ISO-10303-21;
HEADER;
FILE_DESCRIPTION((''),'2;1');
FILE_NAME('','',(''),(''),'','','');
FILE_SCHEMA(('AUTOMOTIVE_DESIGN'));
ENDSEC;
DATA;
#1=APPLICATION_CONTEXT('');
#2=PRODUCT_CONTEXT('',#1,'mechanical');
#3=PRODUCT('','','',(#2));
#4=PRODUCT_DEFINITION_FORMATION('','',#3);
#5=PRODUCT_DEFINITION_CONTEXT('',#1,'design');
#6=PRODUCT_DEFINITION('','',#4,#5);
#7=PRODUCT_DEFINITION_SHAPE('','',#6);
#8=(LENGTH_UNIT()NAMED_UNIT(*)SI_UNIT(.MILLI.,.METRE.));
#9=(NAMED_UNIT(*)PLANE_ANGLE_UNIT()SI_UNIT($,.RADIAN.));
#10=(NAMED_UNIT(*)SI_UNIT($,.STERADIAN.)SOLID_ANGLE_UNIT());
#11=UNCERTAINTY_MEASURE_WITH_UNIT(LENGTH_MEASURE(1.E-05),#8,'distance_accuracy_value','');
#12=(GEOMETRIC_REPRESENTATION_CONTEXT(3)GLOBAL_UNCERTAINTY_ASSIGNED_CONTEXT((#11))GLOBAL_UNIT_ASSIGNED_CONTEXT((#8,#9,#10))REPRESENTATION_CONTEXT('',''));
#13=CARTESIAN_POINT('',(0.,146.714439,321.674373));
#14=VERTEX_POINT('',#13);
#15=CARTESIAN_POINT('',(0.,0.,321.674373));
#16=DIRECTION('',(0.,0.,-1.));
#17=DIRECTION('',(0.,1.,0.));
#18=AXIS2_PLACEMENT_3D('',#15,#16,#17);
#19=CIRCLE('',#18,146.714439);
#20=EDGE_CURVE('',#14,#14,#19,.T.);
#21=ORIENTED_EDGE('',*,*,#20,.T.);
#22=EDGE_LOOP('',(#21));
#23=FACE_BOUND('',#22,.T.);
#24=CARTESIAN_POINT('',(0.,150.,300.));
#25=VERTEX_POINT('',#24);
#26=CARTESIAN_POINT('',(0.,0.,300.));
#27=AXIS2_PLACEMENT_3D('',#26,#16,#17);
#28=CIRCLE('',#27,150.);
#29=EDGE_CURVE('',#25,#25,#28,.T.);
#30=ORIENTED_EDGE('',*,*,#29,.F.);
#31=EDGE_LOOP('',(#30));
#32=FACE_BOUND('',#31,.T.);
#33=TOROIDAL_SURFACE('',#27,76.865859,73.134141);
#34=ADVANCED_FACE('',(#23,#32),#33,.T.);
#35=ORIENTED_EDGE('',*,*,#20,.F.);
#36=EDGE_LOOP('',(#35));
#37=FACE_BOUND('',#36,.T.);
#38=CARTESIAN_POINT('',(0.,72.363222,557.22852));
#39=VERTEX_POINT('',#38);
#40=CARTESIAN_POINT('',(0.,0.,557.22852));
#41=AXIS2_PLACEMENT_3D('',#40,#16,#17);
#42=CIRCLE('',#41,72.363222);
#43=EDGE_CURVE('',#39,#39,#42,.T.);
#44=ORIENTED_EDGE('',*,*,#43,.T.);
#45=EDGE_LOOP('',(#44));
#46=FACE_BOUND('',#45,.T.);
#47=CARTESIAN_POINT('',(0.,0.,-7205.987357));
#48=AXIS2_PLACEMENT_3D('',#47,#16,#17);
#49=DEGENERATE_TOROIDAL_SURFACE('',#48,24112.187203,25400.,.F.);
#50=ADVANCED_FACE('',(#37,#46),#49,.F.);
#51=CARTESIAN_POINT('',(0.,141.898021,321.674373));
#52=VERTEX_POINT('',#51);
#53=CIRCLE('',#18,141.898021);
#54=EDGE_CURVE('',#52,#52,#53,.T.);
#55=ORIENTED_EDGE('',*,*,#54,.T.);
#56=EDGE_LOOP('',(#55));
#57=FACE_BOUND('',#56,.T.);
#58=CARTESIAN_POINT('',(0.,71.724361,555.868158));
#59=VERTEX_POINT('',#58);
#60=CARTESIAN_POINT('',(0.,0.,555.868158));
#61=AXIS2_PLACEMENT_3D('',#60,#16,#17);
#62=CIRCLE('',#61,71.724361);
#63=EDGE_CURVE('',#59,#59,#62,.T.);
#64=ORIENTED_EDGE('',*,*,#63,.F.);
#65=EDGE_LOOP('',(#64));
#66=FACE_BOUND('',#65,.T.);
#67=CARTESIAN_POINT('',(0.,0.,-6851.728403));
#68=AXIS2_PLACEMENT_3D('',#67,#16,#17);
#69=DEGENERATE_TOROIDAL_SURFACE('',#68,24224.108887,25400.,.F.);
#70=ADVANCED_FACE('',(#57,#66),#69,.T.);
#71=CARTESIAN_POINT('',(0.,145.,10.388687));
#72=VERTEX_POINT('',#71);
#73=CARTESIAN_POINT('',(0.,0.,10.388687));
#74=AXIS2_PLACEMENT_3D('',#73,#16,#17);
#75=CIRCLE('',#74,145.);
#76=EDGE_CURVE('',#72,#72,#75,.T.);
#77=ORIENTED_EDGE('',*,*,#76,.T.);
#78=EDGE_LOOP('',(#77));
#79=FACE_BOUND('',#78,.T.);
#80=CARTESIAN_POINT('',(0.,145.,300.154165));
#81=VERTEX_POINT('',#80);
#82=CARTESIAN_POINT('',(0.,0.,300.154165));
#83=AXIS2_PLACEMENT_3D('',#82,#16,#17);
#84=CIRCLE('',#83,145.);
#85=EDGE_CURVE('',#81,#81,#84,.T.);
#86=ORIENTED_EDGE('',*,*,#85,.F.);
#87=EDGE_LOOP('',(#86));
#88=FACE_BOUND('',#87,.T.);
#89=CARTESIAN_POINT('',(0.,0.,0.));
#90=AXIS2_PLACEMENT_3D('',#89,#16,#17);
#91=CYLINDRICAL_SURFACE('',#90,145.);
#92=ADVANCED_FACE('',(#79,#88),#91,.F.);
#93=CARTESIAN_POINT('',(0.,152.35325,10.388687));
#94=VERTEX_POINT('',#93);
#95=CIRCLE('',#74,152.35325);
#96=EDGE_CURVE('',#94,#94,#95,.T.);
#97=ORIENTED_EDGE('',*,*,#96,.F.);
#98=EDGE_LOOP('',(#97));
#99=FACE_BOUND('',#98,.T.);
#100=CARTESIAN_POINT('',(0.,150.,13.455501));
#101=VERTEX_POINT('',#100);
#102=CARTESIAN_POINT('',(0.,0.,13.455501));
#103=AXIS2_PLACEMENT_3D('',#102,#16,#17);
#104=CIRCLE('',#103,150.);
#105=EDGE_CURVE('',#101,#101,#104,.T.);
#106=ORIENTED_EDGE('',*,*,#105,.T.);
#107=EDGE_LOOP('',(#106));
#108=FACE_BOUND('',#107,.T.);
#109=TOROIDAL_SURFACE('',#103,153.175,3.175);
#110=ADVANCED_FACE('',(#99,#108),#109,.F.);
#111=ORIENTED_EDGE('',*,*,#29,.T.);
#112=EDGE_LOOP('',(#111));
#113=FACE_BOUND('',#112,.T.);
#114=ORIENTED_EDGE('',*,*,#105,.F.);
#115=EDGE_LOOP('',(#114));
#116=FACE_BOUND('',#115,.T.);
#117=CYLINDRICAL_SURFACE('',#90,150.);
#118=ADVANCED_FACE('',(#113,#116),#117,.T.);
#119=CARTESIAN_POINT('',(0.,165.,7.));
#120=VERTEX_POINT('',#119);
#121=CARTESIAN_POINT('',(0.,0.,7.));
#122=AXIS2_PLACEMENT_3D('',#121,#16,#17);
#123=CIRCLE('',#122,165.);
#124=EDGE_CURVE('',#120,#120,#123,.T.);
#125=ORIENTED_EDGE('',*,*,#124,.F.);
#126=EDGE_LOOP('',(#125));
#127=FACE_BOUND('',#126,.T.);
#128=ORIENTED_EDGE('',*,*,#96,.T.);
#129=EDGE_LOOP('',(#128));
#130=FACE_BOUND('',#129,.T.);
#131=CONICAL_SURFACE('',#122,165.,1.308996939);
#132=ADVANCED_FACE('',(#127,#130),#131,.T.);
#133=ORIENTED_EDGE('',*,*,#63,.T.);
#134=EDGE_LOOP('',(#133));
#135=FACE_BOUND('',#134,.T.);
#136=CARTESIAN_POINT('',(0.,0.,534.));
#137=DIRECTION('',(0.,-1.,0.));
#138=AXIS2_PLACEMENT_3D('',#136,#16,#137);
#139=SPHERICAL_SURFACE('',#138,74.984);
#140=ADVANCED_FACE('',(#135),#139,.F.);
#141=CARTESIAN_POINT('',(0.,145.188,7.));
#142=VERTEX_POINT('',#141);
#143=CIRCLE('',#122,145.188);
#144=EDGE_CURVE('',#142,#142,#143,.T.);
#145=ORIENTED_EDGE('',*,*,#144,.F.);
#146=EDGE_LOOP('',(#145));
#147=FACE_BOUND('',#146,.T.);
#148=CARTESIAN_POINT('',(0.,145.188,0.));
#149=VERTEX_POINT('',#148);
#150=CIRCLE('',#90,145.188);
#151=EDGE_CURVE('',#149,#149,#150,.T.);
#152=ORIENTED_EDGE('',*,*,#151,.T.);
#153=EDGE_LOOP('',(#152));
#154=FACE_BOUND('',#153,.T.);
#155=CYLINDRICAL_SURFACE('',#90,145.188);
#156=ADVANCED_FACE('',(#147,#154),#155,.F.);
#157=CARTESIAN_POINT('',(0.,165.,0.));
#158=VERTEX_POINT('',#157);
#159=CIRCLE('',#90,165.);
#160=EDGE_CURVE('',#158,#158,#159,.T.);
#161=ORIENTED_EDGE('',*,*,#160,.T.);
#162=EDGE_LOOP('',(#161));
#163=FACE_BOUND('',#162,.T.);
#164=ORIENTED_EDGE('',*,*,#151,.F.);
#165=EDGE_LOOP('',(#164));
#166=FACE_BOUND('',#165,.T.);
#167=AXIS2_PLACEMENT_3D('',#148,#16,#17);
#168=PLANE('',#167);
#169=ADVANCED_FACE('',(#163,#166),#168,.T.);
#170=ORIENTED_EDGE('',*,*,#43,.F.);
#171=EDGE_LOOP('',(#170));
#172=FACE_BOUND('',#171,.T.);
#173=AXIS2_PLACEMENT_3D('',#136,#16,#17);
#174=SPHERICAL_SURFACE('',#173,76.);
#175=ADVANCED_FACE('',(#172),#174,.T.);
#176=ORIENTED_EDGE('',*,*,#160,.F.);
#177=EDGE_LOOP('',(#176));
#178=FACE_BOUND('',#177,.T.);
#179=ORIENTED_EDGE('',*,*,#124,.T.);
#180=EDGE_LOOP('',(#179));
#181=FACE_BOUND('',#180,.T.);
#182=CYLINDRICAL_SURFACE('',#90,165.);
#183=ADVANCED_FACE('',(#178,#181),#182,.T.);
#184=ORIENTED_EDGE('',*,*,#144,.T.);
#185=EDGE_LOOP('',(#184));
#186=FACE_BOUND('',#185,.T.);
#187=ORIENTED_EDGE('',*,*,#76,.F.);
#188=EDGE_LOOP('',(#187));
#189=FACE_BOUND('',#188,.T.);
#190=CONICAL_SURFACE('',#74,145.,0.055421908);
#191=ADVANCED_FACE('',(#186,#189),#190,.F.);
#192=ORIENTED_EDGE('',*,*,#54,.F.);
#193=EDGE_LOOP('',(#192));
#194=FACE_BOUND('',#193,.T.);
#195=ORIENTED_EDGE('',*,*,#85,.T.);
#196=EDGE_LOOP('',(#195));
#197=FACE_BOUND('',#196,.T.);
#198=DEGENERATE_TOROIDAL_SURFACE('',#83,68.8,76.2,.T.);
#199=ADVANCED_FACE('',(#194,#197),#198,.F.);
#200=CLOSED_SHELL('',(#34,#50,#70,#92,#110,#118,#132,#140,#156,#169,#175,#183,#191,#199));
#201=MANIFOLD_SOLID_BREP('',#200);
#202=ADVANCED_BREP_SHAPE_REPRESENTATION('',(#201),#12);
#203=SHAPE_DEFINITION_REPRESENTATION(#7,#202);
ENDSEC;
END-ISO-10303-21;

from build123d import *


with BuildPart() as part:
    # Sketch1 → Revolve2 (revolve)
    with BuildSketch(Plane(origin=(0, 0, 0), x_dir=(0, 0, -1), z_dir=(1, 0, 0))):
        with BuildLine():
            Line((0, 145.188), (0, 165))
            Line((0, 165), (-7, 165))
            Line((-7, 165), (-10.388686575, 152.353249532))
            ThreePointArc((-10.388686575, 152.353249532), (-11.522683536, 150.656103145), (-13.455501073, 150))
            Line((-13.455501073, 150), (-300, 150))
            ThreePointArc((-300, 150), (-310.960991624, 149.173944589), (-321.674372861, 146.714439069))
            ThreePointArc((-321.674372861, 146.714439069), (-439.541828247, 109.825171624), (-557.228519945, 72.363221744))
            ThreePointArc((-557.228519945, 72.363221744), (-595.405893511, 44.780757498), (-610, 0))
            Line((-610, 0), (-608.984, 0))
            ThreePointArc((-608.984, 0), (-594.259282427, 44.625319466), (-555.868158289, 71.724360639))
            ThreePointArc((-555.868158289, 71.724360639), (-438.8556959, 107.09296389), (-321.674372861, 141.898020722))
            ThreePointArc((-321.674372861, 141.898020722), (-311.025475884, 144.220518359), (-300.154164534, 145))
            Line((-300.154164534, 145), (-10.388686575, 145))
            Line((-10.388686575, 145), (-7, 145.188))
            Line((-7, 145.188), (0, 145.188))
        make_face()
    revolve(axis=Axis((0, 0, 0), (0, 0, 1)))


solid = part.part
